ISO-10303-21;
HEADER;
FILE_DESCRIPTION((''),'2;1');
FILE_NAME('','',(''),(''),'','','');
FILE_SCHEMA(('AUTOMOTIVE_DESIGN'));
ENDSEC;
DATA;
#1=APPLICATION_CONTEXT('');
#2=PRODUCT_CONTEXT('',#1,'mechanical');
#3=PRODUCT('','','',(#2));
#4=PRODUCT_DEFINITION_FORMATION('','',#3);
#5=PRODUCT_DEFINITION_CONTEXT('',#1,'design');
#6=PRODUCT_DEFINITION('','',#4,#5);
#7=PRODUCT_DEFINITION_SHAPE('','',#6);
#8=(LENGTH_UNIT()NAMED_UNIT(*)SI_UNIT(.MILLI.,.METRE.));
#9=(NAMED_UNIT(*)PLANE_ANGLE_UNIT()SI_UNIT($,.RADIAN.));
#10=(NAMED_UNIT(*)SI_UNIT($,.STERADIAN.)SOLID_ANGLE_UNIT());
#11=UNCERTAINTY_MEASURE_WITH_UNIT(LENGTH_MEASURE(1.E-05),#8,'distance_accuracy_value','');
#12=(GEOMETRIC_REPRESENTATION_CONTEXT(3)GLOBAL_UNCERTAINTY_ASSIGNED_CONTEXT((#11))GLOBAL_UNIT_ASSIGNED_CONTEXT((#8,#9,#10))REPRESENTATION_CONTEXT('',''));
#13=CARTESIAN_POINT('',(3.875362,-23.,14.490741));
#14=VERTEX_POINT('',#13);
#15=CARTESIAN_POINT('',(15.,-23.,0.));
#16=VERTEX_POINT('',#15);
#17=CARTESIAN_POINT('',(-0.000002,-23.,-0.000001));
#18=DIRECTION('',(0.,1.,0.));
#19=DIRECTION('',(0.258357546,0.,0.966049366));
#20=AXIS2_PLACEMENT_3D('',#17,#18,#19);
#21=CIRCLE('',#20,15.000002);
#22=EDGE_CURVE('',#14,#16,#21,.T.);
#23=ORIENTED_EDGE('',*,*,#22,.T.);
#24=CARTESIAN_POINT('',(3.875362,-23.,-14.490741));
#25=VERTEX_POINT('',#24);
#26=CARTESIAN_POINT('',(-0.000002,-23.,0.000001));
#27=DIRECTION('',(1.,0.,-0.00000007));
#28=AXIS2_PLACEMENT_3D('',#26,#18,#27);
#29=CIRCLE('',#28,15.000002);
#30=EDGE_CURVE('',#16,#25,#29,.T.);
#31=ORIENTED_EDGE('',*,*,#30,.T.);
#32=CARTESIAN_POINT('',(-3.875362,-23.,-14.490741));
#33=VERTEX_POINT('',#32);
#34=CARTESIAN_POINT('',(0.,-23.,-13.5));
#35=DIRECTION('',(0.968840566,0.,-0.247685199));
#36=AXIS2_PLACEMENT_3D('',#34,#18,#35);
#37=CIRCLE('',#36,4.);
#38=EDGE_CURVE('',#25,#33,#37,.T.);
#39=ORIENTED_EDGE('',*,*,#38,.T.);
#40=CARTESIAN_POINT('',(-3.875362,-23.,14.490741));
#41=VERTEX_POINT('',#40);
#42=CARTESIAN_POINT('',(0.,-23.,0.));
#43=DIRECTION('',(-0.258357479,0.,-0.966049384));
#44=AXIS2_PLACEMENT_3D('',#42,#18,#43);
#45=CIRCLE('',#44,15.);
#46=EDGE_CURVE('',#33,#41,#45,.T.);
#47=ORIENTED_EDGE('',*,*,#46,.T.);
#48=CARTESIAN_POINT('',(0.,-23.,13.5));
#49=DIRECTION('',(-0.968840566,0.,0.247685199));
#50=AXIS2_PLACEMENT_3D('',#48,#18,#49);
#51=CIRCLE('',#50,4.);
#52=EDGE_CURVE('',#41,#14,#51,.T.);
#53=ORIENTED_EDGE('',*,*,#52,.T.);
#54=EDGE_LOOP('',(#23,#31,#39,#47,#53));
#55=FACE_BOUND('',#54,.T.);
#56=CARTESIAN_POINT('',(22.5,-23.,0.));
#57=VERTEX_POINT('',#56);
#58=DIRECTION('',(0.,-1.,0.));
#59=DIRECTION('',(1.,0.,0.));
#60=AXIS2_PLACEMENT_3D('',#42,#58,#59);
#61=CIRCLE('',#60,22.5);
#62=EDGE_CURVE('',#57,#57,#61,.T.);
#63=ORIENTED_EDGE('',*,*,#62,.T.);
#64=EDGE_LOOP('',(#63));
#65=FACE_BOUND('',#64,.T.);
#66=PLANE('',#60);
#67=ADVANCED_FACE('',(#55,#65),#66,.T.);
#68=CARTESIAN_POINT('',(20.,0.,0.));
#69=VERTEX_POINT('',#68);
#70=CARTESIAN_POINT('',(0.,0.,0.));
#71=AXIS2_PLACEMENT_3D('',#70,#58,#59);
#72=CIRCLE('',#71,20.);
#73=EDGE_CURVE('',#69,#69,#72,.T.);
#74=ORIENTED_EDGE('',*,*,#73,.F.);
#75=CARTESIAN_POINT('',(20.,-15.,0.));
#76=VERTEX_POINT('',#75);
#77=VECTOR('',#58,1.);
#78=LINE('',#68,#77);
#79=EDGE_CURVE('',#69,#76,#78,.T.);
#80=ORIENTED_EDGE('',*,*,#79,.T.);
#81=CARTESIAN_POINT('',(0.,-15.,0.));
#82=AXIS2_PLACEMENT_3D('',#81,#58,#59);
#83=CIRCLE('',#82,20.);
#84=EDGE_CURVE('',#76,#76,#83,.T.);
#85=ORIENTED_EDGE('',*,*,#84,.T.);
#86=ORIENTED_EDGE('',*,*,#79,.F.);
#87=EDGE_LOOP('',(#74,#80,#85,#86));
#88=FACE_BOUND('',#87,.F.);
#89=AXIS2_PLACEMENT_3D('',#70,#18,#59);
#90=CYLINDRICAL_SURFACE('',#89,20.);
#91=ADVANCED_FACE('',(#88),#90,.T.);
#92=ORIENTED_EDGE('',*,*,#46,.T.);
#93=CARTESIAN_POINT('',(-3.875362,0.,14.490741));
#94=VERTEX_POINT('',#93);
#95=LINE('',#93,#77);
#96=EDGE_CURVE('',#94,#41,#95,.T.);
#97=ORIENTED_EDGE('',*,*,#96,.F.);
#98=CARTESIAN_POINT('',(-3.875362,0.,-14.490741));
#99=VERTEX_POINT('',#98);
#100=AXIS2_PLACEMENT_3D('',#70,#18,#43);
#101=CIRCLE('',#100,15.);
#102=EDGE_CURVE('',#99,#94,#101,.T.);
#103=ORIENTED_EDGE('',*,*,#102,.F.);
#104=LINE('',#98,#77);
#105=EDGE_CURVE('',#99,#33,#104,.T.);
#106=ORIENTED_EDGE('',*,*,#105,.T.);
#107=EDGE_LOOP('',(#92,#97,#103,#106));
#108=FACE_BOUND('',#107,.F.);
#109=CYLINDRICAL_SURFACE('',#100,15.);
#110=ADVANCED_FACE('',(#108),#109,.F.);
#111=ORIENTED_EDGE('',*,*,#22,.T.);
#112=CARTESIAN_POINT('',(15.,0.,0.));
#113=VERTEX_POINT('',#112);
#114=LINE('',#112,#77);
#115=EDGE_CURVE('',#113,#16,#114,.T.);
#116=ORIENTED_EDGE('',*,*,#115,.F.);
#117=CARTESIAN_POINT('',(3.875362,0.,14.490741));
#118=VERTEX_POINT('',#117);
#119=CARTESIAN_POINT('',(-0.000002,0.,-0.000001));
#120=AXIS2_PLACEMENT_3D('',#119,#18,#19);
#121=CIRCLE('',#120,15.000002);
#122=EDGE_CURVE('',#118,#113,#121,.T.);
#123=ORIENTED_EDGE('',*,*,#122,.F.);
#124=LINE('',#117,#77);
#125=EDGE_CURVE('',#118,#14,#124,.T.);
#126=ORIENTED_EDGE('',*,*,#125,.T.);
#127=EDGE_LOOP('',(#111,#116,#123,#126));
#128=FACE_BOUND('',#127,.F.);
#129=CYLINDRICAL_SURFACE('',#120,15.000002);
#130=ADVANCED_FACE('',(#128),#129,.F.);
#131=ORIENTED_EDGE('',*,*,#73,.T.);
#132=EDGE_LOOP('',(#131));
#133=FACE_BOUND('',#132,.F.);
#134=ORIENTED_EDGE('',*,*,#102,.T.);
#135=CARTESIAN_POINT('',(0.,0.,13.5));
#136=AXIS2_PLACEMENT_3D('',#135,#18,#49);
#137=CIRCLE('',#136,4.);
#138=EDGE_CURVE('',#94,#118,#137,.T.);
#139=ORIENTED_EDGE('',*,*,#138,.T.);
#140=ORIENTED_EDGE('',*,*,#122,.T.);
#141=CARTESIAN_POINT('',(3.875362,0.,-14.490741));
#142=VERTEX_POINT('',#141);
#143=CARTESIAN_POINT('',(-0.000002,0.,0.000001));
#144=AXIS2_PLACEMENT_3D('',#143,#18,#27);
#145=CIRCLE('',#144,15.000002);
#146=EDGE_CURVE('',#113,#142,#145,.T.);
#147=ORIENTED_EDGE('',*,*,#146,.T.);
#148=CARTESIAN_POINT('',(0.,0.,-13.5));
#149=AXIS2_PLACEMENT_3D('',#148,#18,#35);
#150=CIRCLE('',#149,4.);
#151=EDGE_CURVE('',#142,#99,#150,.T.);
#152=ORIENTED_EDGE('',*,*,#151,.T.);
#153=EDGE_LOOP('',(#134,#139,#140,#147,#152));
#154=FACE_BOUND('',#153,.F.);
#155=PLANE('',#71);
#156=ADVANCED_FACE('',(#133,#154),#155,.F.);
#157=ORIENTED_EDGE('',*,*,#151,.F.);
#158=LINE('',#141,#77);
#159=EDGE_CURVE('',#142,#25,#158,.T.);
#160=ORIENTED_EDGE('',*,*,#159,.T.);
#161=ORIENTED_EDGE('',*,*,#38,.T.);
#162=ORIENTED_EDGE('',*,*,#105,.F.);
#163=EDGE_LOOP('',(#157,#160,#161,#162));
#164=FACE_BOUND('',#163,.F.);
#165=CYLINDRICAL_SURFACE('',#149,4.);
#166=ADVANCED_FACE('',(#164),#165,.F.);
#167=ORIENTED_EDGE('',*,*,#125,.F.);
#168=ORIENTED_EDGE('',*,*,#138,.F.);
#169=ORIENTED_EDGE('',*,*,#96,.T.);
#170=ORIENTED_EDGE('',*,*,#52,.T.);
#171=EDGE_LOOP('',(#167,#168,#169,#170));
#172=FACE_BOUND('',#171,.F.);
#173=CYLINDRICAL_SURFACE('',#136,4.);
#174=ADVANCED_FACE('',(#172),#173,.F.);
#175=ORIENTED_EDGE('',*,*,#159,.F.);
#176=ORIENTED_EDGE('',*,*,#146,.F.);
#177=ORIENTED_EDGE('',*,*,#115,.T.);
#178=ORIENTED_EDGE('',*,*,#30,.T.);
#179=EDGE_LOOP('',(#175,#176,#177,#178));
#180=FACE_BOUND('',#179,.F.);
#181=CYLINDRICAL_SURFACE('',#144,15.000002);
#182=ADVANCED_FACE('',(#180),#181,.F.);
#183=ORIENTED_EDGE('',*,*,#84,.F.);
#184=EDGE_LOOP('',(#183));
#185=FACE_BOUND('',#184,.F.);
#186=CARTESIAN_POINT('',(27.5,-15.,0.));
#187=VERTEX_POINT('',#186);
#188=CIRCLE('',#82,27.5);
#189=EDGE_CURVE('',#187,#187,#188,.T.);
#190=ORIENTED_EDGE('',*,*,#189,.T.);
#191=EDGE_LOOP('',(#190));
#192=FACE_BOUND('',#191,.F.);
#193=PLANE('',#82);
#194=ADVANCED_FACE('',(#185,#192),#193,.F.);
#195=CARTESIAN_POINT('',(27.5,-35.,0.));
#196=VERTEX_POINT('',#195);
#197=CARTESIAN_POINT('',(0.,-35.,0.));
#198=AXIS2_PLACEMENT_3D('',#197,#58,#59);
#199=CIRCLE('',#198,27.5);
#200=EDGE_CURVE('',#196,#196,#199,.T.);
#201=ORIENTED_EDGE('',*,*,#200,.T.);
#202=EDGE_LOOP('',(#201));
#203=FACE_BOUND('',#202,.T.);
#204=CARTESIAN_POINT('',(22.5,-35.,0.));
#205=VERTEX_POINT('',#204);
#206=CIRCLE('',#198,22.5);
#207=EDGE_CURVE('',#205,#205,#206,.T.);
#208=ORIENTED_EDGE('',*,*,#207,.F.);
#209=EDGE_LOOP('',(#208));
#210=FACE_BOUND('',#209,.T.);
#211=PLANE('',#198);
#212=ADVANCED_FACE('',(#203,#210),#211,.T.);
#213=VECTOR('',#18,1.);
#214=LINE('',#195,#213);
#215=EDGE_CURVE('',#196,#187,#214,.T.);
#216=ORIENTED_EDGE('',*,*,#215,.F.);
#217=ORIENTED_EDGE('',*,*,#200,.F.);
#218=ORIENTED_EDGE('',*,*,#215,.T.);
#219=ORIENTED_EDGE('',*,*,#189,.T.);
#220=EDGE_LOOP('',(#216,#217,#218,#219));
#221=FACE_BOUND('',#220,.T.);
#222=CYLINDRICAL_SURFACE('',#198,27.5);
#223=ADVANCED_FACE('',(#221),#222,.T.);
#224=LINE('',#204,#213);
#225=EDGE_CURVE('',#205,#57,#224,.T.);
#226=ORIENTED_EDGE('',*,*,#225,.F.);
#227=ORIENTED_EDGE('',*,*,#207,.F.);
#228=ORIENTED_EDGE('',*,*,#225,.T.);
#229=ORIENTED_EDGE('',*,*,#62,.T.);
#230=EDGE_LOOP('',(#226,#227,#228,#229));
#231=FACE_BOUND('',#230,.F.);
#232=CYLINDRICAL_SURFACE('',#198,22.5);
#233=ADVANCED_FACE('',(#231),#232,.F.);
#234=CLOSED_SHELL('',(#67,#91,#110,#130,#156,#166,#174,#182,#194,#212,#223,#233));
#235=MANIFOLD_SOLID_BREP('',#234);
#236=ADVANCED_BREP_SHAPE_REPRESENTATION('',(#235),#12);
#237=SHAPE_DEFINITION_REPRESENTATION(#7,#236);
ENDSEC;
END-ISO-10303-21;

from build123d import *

# Parameters (mm, degrees)
F0_R     = 20
F1_DEPTH = 35
F2_R     = 27.5
F2_R_2   = 20
F3_DEPTH = 20
F4_R     = 22.5
F5_DEPTH = 12


with BuildPart() as f1:
    # F0 (on Front) → F1 (new body)
    with BuildSketch(Plane.XZ):
        Circle(F0_R)
        with BuildLine():
            ThreePointArc((3.875362, 14.490741), (11.898118, 9.134264), (15, 0))
            ThreePointArc((15, 0), (11.898118, -9.134264), (3.875362, -14.490741))
            ThreePointArc((3.875362, -14.490741), (0, -17.5), (-3.875362, -14.490741))
            ThreePointArc((-3.875362, -14.490741), (-15, 0), (-3.875362, 14.490741))
            ThreePointArc((-3.875362, 14.490741), (0, 17.5), (3.875362, 14.490741))
        make_face(mode=Mode.SUBTRACT)
    extrude(amount=F1_DEPTH)

    # F2 (on face) → F3 (join)
    with BuildSketch(Plane.XZ.offset(35)):
        Circle(F2_R)
        Circle(F2_R_2, mode=Mode.SUBTRACT)
    extrude(amount=-F3_DEPTH)

    # F4 (on face) → F5 (cut)
    with BuildSketch(Plane.XZ.offset(35)):
        Circle(F4_R)
    extrude(amount=-F5_DEPTH, mode=Mode.SUBTRACT)


solid = f1.part
